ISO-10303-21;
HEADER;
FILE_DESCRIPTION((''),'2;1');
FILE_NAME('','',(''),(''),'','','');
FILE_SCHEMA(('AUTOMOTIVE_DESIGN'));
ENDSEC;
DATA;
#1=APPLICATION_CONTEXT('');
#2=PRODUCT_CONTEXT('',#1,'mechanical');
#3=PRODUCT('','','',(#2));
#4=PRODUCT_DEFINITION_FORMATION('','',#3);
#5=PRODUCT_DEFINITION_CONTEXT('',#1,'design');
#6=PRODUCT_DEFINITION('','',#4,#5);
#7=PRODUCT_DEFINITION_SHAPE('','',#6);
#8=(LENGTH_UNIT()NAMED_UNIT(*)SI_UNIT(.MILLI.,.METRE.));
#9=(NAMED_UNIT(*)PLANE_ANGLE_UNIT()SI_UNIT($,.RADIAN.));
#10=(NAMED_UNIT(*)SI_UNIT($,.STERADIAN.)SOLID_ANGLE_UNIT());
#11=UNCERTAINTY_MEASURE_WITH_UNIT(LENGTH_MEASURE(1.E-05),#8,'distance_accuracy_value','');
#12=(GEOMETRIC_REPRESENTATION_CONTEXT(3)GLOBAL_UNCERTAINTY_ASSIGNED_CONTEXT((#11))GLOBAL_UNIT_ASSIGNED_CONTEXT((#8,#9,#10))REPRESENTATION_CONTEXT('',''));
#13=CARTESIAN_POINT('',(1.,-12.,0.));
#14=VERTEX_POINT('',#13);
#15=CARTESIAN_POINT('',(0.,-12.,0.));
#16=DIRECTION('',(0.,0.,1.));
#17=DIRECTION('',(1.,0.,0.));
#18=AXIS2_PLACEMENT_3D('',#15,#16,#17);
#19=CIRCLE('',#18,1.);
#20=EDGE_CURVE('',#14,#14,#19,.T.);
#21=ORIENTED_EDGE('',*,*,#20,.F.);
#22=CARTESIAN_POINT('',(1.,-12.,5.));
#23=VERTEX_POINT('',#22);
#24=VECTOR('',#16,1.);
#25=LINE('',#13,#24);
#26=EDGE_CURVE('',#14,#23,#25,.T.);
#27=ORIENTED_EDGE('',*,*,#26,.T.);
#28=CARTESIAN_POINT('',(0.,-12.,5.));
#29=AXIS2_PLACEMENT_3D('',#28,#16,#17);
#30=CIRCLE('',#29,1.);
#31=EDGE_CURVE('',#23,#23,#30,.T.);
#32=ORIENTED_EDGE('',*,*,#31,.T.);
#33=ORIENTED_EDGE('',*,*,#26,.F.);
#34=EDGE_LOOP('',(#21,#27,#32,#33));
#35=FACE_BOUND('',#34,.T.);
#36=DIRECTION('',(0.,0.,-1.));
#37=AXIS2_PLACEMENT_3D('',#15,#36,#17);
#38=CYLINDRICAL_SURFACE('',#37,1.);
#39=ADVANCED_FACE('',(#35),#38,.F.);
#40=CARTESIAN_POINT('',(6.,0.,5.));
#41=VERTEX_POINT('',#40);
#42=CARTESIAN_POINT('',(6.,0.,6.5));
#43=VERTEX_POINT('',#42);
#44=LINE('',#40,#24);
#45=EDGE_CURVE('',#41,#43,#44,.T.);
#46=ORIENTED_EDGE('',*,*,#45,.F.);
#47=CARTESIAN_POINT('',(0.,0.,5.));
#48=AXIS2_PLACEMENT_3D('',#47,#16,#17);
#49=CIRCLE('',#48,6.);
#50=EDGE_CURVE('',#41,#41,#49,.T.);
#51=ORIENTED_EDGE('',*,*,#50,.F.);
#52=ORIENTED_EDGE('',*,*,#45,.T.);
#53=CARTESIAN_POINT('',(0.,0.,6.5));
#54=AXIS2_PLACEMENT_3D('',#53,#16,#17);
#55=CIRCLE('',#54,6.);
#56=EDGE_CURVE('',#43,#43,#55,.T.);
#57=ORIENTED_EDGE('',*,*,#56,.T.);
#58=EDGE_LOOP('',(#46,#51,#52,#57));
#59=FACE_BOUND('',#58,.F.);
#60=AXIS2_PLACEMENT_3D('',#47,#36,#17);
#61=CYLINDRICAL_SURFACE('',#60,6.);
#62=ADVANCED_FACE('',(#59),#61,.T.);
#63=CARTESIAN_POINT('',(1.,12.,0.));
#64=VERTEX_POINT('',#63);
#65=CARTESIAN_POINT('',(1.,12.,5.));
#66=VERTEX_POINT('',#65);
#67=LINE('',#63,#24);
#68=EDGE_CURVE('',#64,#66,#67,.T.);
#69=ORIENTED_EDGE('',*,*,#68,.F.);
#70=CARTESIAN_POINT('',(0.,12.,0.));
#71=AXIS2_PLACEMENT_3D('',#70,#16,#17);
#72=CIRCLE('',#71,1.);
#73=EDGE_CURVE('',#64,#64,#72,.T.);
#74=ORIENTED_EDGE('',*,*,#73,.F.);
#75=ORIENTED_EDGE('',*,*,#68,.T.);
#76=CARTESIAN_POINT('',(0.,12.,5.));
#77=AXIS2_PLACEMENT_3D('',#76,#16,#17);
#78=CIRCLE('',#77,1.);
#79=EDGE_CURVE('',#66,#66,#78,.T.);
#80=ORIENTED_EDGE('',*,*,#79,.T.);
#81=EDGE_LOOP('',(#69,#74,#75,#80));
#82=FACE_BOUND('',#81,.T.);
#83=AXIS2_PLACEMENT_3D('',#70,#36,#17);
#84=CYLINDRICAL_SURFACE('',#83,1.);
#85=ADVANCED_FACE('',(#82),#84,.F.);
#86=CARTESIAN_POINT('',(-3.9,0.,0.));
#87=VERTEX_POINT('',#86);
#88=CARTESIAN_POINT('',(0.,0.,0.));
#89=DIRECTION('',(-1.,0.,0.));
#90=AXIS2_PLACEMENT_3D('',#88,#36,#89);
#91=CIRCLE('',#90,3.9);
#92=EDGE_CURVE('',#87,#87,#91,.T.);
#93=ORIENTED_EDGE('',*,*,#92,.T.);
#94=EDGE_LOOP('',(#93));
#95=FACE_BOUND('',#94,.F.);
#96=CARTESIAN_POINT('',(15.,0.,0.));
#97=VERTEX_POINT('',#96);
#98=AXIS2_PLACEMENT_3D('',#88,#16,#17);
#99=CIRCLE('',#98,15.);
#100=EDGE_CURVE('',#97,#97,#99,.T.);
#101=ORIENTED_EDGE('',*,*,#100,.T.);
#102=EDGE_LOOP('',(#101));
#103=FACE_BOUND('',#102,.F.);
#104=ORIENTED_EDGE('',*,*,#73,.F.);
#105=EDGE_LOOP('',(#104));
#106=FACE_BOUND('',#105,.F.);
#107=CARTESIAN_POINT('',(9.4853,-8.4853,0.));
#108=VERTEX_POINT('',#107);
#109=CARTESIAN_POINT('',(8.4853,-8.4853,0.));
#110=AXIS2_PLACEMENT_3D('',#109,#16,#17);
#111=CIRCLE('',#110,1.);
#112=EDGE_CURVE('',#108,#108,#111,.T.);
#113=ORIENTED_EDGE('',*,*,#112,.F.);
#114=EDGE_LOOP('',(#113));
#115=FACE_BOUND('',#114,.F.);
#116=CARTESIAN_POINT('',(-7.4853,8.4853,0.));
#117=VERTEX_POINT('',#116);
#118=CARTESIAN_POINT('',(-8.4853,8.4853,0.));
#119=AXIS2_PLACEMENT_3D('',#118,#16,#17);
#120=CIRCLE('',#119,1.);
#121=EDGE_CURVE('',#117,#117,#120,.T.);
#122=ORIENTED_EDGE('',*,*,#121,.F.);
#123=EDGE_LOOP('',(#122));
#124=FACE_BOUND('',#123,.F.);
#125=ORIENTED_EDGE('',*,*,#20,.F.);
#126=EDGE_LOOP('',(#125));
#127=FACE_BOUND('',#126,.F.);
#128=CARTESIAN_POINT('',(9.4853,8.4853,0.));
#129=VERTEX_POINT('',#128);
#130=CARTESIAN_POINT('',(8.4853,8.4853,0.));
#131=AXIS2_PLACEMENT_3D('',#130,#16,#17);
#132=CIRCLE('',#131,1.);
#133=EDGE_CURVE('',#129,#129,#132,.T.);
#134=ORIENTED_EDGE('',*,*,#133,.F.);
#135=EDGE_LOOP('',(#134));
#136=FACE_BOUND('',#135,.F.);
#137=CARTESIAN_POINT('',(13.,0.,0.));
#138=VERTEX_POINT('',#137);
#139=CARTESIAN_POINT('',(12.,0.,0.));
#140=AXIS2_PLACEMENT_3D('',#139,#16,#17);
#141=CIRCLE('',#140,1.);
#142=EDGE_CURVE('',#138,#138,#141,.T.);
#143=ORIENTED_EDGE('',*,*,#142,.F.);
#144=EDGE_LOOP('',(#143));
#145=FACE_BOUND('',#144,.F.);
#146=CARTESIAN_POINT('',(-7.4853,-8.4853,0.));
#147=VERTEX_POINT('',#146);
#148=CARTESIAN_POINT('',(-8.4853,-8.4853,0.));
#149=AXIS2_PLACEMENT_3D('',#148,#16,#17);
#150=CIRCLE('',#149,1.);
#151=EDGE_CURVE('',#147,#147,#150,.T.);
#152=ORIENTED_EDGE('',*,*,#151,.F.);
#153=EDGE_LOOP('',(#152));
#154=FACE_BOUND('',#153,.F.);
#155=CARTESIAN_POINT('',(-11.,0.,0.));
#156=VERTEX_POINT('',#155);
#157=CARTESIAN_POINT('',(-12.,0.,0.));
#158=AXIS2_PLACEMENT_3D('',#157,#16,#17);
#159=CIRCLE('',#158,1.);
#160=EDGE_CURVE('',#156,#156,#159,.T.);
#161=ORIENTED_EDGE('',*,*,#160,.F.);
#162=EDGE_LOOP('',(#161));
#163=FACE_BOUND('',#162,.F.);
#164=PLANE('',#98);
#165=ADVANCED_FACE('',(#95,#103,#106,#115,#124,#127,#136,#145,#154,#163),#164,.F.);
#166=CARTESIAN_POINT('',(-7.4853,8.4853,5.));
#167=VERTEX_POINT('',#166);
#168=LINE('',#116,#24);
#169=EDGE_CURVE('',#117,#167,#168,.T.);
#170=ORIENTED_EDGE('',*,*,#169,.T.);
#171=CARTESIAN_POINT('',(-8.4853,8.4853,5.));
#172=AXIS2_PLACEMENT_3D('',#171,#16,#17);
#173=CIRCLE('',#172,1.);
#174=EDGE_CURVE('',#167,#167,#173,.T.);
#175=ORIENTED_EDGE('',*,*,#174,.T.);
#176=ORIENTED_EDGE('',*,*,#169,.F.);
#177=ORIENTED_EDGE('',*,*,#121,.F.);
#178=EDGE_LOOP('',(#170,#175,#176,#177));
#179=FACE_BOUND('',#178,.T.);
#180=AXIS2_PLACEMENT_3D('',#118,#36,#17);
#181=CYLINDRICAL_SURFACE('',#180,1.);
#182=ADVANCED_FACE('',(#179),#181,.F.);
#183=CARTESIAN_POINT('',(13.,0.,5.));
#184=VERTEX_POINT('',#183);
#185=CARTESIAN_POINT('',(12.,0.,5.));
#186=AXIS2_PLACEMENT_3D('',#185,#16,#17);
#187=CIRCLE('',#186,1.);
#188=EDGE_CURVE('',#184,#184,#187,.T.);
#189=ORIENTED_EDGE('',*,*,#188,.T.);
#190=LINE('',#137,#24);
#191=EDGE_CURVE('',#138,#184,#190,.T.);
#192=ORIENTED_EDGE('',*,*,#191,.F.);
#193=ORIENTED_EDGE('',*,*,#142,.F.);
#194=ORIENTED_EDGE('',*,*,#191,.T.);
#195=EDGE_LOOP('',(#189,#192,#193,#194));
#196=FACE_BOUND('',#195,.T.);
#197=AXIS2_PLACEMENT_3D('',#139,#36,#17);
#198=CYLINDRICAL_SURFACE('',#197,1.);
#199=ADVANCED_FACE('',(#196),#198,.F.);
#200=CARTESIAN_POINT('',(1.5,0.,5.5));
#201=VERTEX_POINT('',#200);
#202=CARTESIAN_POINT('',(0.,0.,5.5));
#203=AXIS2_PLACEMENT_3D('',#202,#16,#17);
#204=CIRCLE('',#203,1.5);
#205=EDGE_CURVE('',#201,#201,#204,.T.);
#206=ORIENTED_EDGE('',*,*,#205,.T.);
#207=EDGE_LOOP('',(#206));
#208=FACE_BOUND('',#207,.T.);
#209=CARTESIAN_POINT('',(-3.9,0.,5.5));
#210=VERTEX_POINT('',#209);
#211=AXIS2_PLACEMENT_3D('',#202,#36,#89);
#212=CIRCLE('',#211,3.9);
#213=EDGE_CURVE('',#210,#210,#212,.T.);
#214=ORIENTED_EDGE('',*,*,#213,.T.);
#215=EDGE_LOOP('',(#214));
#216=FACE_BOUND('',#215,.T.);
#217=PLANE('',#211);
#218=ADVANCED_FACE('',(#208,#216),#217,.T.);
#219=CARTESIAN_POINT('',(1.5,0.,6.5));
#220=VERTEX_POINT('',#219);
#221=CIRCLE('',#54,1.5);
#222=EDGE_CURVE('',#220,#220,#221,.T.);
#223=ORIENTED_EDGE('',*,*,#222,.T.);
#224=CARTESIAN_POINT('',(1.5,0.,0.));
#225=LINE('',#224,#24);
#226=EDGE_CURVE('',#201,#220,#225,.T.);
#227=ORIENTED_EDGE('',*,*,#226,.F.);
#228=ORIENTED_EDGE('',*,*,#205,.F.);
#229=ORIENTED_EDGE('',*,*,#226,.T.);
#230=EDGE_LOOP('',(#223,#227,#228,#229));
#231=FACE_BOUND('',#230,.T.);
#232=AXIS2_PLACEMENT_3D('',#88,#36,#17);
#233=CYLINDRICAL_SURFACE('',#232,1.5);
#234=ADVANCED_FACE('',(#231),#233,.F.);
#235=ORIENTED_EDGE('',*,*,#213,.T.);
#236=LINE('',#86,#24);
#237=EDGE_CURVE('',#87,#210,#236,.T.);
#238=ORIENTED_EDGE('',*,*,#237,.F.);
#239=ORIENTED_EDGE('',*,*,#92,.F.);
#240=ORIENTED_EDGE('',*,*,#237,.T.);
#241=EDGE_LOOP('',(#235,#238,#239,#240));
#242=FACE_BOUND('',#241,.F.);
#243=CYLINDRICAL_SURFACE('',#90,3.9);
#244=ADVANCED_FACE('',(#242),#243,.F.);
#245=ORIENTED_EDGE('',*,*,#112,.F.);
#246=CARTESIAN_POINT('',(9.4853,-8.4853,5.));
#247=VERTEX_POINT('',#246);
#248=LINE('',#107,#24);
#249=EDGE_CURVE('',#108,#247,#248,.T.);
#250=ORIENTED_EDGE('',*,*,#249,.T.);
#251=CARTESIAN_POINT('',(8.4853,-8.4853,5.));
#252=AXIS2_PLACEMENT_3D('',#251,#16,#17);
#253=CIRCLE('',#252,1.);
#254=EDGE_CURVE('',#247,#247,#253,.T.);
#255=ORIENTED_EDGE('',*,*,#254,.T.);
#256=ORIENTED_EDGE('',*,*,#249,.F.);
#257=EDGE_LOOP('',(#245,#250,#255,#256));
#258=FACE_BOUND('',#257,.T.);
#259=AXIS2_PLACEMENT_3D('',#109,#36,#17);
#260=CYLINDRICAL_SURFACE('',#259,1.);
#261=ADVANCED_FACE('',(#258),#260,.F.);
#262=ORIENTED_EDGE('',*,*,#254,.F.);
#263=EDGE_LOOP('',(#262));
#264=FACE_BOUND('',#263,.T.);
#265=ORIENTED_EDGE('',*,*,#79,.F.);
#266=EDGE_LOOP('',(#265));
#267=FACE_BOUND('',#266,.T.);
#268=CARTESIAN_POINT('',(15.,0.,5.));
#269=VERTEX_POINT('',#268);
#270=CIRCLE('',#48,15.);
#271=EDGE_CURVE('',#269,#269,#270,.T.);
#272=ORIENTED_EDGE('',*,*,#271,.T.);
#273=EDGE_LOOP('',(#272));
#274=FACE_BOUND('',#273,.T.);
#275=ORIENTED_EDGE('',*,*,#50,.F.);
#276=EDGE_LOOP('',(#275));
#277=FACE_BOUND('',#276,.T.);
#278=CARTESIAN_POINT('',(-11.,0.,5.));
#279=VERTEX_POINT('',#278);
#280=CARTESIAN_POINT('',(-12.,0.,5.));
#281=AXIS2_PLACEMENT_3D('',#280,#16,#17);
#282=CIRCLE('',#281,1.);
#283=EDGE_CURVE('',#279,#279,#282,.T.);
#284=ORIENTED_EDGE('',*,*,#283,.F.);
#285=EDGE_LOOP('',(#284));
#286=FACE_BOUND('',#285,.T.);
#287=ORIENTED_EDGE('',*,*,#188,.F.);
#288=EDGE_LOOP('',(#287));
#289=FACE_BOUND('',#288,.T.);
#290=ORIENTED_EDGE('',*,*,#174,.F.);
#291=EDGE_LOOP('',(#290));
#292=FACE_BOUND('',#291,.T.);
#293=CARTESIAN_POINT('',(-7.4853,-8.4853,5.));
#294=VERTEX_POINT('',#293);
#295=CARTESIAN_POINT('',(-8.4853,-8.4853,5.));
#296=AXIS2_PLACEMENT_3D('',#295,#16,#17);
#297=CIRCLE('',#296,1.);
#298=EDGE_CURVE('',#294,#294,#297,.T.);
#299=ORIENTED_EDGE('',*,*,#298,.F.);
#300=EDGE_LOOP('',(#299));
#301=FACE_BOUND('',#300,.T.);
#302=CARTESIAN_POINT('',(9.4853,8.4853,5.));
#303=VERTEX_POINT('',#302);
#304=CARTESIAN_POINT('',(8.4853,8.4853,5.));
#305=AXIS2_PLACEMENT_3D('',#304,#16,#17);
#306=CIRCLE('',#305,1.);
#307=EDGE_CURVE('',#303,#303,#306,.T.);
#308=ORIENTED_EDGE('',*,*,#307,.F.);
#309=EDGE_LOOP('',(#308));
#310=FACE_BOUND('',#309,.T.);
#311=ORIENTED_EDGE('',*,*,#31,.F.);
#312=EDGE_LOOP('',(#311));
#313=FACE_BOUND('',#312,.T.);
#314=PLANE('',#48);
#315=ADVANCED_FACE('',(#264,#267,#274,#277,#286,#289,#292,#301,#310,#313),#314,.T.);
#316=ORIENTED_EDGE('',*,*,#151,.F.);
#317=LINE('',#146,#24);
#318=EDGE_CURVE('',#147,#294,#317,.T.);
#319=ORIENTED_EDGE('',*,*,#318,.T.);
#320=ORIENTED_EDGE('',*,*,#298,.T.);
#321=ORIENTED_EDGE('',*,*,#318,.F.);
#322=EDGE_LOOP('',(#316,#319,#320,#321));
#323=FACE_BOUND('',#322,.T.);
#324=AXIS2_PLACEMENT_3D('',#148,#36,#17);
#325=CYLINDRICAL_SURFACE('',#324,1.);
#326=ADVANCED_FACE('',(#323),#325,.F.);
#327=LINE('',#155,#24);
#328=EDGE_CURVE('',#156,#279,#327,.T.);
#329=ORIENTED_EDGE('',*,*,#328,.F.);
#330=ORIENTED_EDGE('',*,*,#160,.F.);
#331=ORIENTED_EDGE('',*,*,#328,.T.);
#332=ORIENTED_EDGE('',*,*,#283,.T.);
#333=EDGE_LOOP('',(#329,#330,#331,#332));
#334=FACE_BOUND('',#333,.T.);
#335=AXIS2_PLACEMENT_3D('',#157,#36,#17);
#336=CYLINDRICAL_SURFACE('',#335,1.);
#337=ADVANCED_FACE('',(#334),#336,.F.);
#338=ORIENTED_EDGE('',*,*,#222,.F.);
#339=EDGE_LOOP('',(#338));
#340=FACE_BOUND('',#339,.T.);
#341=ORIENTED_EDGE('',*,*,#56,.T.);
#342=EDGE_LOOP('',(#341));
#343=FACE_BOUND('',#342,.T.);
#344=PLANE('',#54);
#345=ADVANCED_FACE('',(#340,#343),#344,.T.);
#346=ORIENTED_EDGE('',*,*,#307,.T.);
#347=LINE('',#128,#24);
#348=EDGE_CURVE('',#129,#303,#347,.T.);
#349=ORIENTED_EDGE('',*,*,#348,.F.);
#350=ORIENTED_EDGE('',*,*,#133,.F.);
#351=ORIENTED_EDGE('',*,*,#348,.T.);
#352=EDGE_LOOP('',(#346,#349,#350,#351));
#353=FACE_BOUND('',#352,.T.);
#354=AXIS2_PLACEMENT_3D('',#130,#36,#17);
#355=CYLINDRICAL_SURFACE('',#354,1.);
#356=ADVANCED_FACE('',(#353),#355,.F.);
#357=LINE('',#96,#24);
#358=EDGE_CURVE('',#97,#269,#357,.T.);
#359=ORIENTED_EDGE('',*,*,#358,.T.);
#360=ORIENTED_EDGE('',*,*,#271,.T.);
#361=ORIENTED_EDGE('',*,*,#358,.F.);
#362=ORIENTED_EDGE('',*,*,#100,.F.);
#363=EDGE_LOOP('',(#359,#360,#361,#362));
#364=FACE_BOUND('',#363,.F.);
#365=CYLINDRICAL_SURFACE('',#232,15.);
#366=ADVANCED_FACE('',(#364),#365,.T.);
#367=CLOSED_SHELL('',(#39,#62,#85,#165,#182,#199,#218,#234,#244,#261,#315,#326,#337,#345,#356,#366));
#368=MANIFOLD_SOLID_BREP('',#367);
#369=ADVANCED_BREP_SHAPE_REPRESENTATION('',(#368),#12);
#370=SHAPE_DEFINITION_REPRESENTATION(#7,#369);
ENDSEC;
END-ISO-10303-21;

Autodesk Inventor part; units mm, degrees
ref_plane "YZ Plane" through (0, 0, 0) normal (1, 0, 0) x (0, 1, 0)
ref_plane "XZ Plane" through (0, 0, 0) normal (0, 1, 0) x (-1, 0, 0)
ref_plane "XY Plane" through (0, 0, 0) normal (0, 0, 1) x (1, 0, 0)
sketch "Sketch1" plane through (0, 0, 0) normal (0, 0, 1) x (1, 0, 0)
  circle A0 centre (0, 0) radius 15
  circle A1 centre (0, 12) radius 1
  circle A2 centre (-8.4853, 8.4853) radius 1
  circle A3 centre (-12, 0) radius 1
  circle A4 centre (-8.4853, -8.4853) radius 1
  circle A5 centre (0, -12) radius 1
  circle A6 centre (8.4853, -8.4853) radius 1
  circle A7 centre (12, 0) radius 1
  circle A8 centre (8.4853, 8.4853) radius 1
  circle A9 centre (0, 0) radius 1.5
  dimension "d0" = 30
  dimension "d1" = 2
  dimension "d4" = 360
  dimension "d6" = 12
  dimension "d9" = 3
extrude "Extrusion1" add sketch "Sketch1" along normal blind 5
sketch "Sketch2" plane through (0, 0, 5) normal (0, 0, 1) x (1, 0, 0)
  point P0 (0, 0)
sketch "Sketch3" plane through (0, 0, 5) normal (0, 0, 1) x (1, 0, 0)
  circle A0 centre (0, 0) radius 6
  circle A1 centre (0, 0) radius 1.5 projected
  dimension "d10" = 12
extrude "Extrusion2" add sketch "Sketch3" along normal blind 1.5
sketch "Sketch4" plane through (0, 0, 0) normal (0, 0, -1) x (-1, 0, 0)
  circle A0 centre (0, 0) radius 1.5 projected
  circle A1 centre (0, 0) radius 3.9
  dimension "d13" = 7.8
extrude "Extrusion3" cut sketch "Sketch4" against normal blind 5.5
properties part number "orczyk serwa okrągły 02-1"
